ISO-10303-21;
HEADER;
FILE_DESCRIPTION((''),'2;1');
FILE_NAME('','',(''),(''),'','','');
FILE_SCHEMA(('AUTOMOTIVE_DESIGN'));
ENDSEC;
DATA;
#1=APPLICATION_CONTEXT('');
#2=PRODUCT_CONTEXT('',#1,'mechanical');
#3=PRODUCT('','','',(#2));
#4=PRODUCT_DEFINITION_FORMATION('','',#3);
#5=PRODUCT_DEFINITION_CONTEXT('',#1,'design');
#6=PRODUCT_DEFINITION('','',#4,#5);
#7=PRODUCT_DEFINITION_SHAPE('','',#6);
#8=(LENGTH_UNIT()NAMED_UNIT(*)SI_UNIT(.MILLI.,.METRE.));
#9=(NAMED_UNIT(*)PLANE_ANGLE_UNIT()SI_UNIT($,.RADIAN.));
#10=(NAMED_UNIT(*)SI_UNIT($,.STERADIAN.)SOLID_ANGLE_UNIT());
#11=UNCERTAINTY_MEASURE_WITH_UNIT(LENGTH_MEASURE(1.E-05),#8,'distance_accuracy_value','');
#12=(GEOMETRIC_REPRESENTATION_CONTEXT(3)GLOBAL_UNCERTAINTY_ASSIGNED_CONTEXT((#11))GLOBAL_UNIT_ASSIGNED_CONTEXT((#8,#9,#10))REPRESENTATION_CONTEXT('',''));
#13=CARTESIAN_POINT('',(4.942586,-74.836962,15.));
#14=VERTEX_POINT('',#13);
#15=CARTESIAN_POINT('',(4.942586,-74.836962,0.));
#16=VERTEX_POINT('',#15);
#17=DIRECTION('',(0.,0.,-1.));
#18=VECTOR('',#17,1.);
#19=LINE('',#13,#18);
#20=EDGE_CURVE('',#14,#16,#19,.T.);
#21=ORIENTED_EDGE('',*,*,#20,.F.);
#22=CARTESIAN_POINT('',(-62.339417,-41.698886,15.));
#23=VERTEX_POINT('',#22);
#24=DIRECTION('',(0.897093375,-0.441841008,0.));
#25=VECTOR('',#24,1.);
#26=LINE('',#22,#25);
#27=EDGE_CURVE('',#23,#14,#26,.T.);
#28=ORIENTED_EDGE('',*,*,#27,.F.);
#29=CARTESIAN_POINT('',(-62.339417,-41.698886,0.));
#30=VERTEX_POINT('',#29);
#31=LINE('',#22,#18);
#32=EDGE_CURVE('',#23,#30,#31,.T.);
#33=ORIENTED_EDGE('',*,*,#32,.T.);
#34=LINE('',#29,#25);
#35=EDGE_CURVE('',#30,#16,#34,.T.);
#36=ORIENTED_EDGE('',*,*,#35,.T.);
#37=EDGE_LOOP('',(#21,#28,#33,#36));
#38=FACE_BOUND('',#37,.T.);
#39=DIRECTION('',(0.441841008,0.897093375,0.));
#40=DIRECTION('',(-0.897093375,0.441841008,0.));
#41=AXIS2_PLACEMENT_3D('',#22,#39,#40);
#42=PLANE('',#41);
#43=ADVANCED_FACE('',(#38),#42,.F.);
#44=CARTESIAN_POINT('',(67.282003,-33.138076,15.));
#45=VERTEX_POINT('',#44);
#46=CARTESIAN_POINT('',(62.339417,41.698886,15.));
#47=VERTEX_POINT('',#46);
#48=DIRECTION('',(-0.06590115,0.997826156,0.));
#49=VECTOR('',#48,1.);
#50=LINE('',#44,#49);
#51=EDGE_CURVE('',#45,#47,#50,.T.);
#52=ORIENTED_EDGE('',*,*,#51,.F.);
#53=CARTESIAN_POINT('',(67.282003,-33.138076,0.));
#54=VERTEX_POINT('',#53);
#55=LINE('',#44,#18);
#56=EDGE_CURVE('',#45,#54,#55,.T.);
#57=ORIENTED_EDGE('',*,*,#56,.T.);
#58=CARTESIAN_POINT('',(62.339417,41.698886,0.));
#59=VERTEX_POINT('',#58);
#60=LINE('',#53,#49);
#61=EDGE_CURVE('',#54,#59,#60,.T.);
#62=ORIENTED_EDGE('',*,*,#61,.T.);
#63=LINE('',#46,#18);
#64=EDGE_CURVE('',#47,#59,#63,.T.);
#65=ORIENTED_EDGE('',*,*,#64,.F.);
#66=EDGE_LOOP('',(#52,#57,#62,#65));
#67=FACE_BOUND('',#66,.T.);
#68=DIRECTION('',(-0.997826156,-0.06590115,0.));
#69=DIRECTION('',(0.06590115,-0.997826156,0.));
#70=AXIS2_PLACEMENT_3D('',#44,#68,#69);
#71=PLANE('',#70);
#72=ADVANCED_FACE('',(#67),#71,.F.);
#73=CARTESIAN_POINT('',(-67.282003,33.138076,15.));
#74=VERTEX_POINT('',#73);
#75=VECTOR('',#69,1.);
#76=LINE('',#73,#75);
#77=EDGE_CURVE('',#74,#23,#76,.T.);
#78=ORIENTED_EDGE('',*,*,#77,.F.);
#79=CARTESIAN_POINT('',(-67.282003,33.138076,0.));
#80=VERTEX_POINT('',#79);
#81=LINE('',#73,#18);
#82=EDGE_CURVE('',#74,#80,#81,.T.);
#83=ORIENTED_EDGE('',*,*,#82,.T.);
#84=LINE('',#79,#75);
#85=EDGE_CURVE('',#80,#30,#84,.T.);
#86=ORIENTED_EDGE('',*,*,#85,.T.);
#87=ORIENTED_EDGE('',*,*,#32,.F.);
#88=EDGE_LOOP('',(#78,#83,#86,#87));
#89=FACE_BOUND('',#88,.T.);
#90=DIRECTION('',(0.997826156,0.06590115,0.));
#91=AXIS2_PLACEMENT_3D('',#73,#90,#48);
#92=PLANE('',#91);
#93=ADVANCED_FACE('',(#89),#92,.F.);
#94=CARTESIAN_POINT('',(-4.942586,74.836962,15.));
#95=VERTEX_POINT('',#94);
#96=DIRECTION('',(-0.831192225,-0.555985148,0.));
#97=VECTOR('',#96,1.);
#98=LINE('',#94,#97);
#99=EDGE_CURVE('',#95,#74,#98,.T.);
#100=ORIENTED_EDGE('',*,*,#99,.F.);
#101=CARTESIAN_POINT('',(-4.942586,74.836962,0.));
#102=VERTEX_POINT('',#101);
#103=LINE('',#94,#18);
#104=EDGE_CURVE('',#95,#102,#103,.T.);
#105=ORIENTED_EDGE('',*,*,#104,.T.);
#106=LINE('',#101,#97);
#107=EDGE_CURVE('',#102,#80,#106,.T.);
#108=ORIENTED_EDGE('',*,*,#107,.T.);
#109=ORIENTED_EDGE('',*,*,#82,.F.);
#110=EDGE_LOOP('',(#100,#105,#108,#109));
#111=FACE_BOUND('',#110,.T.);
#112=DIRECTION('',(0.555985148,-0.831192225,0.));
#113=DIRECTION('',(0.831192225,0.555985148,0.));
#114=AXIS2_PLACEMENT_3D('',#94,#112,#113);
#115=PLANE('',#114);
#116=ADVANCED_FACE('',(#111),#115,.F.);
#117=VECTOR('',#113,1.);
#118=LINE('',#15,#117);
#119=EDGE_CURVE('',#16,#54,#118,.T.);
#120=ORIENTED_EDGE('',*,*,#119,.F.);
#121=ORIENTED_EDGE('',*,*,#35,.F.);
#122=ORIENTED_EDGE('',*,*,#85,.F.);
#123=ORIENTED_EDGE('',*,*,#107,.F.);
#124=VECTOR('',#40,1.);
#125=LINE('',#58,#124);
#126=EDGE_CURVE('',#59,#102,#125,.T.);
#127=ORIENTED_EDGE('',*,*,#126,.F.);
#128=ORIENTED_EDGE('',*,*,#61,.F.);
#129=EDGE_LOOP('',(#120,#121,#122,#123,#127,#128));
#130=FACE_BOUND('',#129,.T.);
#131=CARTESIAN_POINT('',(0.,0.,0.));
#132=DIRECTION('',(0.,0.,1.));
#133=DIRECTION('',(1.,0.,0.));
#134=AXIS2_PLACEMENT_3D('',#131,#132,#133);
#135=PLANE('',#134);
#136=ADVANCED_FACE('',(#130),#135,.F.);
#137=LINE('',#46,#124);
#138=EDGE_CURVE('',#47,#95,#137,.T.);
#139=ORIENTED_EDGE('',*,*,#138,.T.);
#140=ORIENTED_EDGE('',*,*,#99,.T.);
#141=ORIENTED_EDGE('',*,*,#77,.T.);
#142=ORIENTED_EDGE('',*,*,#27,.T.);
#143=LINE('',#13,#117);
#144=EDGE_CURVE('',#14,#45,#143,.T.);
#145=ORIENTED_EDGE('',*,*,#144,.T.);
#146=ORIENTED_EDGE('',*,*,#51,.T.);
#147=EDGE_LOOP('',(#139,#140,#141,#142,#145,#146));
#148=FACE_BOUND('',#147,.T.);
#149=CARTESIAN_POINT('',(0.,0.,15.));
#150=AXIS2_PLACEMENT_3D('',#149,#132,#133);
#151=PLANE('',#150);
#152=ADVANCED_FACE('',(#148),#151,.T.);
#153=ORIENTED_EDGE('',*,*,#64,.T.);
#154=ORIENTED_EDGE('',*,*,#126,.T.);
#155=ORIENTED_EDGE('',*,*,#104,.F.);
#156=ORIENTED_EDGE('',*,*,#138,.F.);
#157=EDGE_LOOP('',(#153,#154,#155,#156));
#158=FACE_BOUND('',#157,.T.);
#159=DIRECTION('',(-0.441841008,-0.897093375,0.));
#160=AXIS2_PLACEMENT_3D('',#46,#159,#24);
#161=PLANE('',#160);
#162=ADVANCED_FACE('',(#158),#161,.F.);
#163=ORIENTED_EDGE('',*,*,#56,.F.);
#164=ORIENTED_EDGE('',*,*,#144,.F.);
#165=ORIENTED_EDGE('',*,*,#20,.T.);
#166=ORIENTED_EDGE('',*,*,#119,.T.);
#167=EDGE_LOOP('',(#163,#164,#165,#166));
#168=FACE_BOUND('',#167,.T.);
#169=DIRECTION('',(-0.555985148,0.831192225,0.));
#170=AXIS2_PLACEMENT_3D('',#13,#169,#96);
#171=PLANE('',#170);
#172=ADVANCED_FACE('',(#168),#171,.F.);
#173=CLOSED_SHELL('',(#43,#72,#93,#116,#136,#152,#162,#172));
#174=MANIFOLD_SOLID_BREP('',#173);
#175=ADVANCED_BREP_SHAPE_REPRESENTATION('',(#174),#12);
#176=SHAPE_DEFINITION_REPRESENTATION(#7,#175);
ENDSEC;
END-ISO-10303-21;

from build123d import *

# Parameters (mm, degrees)
BOSS_EXTRU_1_DEPTH = 15


with BuildPart() as part:
    # Esquisse1 → Boss.-Extru.1 (new body)
    with BuildSketch(Plane.XY):
        Polygon((62.339416891, 41.698886097), (-4.942586224, 74.836961733), (-67.282003115, 33.138075636), (-62.339416891, -41.698886097), (4.942586224, -74.836961733), (67.282003115, -33.138075636), align=None)
    extrude(amount=BOSS_EXTRU_1_DEPTH)


solid = part.part
